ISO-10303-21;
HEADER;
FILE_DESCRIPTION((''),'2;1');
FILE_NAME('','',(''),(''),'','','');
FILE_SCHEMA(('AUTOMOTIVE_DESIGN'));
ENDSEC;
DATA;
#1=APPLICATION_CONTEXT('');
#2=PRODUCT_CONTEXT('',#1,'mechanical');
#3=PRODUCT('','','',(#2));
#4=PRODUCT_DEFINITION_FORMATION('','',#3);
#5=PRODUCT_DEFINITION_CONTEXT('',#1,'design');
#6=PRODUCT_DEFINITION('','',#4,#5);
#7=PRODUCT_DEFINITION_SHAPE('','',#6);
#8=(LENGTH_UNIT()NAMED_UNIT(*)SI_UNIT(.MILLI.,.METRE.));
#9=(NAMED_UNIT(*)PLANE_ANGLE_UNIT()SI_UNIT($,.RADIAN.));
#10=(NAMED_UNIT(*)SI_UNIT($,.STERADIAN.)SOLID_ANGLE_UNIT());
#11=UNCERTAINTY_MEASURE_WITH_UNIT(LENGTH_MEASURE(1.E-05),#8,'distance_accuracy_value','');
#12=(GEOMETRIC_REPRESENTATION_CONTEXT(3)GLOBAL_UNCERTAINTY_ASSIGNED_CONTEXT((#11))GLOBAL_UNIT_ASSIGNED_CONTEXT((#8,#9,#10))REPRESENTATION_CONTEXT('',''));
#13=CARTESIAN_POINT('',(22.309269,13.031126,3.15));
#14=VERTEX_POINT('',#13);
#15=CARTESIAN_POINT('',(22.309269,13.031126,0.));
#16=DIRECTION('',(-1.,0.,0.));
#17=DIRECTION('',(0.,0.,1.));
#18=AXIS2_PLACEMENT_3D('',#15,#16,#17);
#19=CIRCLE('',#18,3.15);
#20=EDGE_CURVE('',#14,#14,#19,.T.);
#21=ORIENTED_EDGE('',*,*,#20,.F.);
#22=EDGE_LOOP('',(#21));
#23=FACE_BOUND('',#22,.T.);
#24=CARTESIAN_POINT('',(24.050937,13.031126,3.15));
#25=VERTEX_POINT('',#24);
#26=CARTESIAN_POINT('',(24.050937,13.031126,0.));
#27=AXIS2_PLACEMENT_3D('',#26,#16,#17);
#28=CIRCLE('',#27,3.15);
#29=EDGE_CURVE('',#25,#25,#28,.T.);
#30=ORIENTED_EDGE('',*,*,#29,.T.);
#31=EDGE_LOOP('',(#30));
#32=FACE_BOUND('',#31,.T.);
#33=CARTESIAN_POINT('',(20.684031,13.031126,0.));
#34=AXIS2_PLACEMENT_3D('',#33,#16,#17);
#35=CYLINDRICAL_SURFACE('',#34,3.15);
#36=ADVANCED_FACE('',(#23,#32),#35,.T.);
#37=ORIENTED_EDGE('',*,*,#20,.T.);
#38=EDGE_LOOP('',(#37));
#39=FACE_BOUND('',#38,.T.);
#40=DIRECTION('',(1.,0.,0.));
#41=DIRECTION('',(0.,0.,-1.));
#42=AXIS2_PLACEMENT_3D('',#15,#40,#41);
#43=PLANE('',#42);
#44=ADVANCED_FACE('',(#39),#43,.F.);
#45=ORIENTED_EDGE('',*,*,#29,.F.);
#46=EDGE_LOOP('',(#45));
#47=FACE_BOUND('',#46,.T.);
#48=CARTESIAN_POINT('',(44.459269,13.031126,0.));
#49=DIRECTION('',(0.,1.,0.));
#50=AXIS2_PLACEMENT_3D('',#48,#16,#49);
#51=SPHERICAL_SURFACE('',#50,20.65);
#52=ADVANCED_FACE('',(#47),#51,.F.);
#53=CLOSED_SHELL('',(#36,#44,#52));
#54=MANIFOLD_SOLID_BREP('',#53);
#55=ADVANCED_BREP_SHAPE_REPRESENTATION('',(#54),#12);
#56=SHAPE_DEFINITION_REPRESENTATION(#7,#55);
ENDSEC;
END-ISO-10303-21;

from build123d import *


with BuildPart() as part:
    # 草图1 → 旋转1 (revolve)
    with BuildSketch(Plane.XY):
        with BuildLine():
            Line((22.309268833, 13.031126091), (22.309268833, 16.181126091))
            Line((22.309268833, 16.181126091), (24.050937201, 16.181126091))
            ThreePointArc((24.050937201, 16.181126091), (23.869774567, 14.610754497), (23.809268833, 13.031126091))
            Line((23.809268833, 13.031126091), (22.309268833, 13.031126091))
        make_face()
    revolve(axis=Axis((20.684030635, 13.031126091, 0), (1, 0, 0)))


solid = part.part
